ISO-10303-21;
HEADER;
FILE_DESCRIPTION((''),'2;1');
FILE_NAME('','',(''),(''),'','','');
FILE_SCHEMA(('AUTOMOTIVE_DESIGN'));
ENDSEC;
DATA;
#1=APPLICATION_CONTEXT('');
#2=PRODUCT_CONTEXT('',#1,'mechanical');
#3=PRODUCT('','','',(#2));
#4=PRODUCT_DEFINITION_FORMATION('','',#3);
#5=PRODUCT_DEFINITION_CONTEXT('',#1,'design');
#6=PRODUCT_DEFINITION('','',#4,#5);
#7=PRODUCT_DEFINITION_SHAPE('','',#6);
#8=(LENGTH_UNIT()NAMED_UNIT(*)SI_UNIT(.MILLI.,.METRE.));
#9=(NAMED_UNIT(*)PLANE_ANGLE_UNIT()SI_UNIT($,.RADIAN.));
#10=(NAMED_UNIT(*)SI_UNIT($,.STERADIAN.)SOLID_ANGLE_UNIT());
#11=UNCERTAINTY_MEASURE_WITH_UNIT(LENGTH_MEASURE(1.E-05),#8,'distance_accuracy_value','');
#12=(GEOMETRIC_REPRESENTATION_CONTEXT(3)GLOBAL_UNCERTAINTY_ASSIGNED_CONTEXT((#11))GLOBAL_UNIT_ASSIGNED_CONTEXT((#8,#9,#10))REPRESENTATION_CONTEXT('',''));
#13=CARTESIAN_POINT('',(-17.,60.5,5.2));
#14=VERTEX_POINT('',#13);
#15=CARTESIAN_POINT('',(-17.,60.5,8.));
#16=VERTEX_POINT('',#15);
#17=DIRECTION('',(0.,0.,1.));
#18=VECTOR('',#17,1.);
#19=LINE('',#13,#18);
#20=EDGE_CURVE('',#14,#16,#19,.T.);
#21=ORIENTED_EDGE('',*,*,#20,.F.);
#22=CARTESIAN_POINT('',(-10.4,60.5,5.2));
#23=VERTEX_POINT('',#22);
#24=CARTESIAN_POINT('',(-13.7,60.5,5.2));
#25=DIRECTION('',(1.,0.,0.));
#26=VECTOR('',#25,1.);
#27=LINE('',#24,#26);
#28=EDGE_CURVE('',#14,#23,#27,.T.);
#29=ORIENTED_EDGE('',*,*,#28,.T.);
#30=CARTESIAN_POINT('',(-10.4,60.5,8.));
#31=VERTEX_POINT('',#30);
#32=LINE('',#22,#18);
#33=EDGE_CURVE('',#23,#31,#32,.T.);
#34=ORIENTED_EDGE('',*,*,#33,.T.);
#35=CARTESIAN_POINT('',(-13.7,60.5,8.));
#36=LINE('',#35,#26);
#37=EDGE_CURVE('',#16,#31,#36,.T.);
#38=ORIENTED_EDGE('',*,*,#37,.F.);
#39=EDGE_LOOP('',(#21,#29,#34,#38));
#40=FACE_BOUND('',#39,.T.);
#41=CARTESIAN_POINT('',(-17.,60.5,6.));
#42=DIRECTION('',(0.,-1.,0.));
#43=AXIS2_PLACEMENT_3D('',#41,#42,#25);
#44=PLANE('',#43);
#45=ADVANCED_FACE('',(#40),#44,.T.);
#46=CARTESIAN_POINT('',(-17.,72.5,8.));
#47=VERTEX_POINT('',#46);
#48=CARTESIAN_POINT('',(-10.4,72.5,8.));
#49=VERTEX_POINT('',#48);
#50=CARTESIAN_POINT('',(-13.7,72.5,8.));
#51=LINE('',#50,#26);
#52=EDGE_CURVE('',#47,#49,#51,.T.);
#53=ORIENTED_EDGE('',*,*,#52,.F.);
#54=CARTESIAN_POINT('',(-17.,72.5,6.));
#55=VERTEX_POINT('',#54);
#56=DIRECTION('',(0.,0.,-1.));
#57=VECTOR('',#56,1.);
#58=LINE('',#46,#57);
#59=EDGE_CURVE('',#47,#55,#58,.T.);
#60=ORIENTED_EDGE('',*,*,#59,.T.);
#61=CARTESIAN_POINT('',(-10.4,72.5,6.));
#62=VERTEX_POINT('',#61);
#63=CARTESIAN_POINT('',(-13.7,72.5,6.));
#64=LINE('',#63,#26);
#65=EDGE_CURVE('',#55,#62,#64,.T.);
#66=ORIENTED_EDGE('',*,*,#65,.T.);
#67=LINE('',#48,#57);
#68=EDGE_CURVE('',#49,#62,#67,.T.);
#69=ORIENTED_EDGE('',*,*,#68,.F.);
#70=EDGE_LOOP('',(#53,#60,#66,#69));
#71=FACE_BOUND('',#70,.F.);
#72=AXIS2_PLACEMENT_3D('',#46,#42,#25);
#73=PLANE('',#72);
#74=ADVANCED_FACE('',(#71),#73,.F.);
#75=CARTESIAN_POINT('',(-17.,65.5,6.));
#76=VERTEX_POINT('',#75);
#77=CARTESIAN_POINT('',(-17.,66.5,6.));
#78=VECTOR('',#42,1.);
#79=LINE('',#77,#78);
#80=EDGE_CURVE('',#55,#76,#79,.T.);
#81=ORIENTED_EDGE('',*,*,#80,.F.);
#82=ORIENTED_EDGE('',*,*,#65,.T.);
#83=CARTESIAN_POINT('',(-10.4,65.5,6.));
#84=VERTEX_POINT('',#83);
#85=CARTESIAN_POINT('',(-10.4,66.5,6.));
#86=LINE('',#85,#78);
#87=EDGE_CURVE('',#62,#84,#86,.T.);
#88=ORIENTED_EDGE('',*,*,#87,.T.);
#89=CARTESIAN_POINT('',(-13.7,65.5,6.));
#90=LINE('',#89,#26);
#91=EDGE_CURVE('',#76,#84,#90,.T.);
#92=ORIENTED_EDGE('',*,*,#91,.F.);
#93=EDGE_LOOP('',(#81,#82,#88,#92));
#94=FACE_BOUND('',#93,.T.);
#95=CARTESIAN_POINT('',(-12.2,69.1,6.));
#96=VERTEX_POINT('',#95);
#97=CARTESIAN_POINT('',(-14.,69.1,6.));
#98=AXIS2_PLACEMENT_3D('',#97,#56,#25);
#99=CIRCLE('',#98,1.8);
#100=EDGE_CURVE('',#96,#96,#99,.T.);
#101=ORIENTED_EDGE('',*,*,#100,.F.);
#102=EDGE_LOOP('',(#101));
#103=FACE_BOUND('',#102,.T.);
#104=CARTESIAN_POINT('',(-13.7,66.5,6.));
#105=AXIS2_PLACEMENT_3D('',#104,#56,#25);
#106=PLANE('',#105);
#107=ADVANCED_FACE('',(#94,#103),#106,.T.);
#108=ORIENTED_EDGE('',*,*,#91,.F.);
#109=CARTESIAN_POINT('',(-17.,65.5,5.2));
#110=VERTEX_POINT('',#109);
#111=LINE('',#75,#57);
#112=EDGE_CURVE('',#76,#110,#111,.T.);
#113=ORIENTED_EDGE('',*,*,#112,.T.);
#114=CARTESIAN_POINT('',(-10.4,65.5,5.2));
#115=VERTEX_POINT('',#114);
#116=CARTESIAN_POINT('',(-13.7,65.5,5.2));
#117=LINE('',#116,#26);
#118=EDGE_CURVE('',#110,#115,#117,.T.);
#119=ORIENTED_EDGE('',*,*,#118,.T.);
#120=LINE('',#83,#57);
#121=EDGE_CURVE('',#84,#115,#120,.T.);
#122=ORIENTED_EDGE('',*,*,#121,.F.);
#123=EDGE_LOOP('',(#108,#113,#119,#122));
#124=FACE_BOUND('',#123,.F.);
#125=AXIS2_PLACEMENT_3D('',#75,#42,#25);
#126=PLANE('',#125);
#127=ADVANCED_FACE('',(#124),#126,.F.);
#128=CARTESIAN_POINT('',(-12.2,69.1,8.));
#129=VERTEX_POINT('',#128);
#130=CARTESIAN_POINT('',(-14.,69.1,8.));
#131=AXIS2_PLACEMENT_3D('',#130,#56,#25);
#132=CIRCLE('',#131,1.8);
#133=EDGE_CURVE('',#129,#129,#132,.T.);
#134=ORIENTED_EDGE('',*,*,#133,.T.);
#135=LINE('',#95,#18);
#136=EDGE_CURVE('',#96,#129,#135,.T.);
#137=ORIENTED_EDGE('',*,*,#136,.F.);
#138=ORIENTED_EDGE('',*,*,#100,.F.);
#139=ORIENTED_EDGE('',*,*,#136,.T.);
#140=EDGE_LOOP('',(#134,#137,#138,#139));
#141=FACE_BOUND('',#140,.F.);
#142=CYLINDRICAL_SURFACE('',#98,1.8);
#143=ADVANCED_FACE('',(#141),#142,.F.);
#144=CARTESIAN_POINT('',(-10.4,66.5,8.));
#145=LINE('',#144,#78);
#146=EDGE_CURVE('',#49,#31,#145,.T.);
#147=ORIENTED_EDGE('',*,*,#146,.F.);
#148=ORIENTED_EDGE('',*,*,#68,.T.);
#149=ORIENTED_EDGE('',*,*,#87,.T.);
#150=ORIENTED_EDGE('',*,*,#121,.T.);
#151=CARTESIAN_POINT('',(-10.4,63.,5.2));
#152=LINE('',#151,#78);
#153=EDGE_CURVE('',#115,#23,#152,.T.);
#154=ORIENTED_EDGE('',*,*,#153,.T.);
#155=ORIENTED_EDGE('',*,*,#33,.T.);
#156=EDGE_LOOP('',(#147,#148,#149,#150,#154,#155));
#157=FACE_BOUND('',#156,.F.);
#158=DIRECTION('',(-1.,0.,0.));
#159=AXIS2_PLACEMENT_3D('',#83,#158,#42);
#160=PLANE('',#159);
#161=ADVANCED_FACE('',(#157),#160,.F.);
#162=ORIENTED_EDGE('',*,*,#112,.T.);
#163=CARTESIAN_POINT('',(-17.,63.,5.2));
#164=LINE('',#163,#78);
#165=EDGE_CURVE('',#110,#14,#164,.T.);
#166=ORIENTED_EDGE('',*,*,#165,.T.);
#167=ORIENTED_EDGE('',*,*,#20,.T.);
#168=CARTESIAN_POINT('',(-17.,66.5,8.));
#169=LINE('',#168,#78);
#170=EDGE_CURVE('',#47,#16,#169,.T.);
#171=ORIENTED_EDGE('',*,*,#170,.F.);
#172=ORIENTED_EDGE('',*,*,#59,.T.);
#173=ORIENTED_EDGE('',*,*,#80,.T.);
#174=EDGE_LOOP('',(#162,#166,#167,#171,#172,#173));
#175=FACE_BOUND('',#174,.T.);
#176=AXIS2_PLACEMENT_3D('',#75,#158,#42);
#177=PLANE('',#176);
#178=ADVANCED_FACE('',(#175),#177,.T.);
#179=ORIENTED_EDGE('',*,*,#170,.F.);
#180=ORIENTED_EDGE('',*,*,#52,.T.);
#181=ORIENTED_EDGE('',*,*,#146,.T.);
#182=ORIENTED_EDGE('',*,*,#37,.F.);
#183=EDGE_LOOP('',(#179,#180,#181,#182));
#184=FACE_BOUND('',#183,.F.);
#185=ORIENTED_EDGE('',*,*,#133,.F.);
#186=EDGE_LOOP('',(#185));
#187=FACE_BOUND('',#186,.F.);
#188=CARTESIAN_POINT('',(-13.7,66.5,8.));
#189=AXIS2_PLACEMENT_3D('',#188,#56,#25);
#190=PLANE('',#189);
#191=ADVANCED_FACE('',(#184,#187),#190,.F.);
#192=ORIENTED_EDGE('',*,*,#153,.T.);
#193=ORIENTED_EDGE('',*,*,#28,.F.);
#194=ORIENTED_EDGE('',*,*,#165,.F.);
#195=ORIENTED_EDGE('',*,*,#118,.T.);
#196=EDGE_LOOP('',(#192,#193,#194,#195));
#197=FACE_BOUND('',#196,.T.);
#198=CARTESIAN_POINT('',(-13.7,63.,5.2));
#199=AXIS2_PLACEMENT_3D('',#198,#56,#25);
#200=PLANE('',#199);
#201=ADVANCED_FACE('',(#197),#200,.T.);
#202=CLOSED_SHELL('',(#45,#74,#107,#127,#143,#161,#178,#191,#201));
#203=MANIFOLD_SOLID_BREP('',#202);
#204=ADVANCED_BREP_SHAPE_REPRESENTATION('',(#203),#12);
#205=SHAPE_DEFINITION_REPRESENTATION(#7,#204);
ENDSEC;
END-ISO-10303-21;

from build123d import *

# Parameters (mm, degrees)
SKETCH054_W             = 6.6
SKETCH054_H             = 12
PAD012_DEPTH            = 2
SKETCH055_W             = 6.6
SKETCH055_H             = 5
PAD013_DEPTH            = 0.8
SKETCH056_R             = 1.8
POCKET014_DEPTH         = 2
BODY005_PLACEMENT_ANGLE = 180


with BuildPart() as part:
    # Sketch054 → Pad012 (new body)
    with BuildSketch(Plane.XY):
        with Locations((3.3, 6)):
            Rectangle(SKETCH054_W, SKETCH054_H)
    extrude(amount=PAD012_DEPTH)

    # Sketch055 (on Face6 of Pad012) → Pad013 (join)
    with BuildSketch(Plane.XY.offset(2)):
        with Locations((3.3, 9.5)):
            Rectangle(SKETCH055_W, SKETCH055_H)
    extrude(amount=PAD013_DEPTH)

    # Sketch056 (on Face7 of Pad013) → Pocket014 (cut)
    with BuildSketch(Plane.XY.offset(2)):
        with Locations((3, 3.4)):
            Circle(SKETCH056_R)
    extrude(amount=-POCKET014_DEPTH, mode=Mode.SUBTRACT)


with BuildPart() as part_1:
    # Body005 placement: moved
    add(part.part.moved(Location((-17, 72.5, 8))).rotate(Axis((-17, 72.5, 8), (1, 0, 0)), BODY005_PLACEMENT_ANGLE))


solid = part_1.part
